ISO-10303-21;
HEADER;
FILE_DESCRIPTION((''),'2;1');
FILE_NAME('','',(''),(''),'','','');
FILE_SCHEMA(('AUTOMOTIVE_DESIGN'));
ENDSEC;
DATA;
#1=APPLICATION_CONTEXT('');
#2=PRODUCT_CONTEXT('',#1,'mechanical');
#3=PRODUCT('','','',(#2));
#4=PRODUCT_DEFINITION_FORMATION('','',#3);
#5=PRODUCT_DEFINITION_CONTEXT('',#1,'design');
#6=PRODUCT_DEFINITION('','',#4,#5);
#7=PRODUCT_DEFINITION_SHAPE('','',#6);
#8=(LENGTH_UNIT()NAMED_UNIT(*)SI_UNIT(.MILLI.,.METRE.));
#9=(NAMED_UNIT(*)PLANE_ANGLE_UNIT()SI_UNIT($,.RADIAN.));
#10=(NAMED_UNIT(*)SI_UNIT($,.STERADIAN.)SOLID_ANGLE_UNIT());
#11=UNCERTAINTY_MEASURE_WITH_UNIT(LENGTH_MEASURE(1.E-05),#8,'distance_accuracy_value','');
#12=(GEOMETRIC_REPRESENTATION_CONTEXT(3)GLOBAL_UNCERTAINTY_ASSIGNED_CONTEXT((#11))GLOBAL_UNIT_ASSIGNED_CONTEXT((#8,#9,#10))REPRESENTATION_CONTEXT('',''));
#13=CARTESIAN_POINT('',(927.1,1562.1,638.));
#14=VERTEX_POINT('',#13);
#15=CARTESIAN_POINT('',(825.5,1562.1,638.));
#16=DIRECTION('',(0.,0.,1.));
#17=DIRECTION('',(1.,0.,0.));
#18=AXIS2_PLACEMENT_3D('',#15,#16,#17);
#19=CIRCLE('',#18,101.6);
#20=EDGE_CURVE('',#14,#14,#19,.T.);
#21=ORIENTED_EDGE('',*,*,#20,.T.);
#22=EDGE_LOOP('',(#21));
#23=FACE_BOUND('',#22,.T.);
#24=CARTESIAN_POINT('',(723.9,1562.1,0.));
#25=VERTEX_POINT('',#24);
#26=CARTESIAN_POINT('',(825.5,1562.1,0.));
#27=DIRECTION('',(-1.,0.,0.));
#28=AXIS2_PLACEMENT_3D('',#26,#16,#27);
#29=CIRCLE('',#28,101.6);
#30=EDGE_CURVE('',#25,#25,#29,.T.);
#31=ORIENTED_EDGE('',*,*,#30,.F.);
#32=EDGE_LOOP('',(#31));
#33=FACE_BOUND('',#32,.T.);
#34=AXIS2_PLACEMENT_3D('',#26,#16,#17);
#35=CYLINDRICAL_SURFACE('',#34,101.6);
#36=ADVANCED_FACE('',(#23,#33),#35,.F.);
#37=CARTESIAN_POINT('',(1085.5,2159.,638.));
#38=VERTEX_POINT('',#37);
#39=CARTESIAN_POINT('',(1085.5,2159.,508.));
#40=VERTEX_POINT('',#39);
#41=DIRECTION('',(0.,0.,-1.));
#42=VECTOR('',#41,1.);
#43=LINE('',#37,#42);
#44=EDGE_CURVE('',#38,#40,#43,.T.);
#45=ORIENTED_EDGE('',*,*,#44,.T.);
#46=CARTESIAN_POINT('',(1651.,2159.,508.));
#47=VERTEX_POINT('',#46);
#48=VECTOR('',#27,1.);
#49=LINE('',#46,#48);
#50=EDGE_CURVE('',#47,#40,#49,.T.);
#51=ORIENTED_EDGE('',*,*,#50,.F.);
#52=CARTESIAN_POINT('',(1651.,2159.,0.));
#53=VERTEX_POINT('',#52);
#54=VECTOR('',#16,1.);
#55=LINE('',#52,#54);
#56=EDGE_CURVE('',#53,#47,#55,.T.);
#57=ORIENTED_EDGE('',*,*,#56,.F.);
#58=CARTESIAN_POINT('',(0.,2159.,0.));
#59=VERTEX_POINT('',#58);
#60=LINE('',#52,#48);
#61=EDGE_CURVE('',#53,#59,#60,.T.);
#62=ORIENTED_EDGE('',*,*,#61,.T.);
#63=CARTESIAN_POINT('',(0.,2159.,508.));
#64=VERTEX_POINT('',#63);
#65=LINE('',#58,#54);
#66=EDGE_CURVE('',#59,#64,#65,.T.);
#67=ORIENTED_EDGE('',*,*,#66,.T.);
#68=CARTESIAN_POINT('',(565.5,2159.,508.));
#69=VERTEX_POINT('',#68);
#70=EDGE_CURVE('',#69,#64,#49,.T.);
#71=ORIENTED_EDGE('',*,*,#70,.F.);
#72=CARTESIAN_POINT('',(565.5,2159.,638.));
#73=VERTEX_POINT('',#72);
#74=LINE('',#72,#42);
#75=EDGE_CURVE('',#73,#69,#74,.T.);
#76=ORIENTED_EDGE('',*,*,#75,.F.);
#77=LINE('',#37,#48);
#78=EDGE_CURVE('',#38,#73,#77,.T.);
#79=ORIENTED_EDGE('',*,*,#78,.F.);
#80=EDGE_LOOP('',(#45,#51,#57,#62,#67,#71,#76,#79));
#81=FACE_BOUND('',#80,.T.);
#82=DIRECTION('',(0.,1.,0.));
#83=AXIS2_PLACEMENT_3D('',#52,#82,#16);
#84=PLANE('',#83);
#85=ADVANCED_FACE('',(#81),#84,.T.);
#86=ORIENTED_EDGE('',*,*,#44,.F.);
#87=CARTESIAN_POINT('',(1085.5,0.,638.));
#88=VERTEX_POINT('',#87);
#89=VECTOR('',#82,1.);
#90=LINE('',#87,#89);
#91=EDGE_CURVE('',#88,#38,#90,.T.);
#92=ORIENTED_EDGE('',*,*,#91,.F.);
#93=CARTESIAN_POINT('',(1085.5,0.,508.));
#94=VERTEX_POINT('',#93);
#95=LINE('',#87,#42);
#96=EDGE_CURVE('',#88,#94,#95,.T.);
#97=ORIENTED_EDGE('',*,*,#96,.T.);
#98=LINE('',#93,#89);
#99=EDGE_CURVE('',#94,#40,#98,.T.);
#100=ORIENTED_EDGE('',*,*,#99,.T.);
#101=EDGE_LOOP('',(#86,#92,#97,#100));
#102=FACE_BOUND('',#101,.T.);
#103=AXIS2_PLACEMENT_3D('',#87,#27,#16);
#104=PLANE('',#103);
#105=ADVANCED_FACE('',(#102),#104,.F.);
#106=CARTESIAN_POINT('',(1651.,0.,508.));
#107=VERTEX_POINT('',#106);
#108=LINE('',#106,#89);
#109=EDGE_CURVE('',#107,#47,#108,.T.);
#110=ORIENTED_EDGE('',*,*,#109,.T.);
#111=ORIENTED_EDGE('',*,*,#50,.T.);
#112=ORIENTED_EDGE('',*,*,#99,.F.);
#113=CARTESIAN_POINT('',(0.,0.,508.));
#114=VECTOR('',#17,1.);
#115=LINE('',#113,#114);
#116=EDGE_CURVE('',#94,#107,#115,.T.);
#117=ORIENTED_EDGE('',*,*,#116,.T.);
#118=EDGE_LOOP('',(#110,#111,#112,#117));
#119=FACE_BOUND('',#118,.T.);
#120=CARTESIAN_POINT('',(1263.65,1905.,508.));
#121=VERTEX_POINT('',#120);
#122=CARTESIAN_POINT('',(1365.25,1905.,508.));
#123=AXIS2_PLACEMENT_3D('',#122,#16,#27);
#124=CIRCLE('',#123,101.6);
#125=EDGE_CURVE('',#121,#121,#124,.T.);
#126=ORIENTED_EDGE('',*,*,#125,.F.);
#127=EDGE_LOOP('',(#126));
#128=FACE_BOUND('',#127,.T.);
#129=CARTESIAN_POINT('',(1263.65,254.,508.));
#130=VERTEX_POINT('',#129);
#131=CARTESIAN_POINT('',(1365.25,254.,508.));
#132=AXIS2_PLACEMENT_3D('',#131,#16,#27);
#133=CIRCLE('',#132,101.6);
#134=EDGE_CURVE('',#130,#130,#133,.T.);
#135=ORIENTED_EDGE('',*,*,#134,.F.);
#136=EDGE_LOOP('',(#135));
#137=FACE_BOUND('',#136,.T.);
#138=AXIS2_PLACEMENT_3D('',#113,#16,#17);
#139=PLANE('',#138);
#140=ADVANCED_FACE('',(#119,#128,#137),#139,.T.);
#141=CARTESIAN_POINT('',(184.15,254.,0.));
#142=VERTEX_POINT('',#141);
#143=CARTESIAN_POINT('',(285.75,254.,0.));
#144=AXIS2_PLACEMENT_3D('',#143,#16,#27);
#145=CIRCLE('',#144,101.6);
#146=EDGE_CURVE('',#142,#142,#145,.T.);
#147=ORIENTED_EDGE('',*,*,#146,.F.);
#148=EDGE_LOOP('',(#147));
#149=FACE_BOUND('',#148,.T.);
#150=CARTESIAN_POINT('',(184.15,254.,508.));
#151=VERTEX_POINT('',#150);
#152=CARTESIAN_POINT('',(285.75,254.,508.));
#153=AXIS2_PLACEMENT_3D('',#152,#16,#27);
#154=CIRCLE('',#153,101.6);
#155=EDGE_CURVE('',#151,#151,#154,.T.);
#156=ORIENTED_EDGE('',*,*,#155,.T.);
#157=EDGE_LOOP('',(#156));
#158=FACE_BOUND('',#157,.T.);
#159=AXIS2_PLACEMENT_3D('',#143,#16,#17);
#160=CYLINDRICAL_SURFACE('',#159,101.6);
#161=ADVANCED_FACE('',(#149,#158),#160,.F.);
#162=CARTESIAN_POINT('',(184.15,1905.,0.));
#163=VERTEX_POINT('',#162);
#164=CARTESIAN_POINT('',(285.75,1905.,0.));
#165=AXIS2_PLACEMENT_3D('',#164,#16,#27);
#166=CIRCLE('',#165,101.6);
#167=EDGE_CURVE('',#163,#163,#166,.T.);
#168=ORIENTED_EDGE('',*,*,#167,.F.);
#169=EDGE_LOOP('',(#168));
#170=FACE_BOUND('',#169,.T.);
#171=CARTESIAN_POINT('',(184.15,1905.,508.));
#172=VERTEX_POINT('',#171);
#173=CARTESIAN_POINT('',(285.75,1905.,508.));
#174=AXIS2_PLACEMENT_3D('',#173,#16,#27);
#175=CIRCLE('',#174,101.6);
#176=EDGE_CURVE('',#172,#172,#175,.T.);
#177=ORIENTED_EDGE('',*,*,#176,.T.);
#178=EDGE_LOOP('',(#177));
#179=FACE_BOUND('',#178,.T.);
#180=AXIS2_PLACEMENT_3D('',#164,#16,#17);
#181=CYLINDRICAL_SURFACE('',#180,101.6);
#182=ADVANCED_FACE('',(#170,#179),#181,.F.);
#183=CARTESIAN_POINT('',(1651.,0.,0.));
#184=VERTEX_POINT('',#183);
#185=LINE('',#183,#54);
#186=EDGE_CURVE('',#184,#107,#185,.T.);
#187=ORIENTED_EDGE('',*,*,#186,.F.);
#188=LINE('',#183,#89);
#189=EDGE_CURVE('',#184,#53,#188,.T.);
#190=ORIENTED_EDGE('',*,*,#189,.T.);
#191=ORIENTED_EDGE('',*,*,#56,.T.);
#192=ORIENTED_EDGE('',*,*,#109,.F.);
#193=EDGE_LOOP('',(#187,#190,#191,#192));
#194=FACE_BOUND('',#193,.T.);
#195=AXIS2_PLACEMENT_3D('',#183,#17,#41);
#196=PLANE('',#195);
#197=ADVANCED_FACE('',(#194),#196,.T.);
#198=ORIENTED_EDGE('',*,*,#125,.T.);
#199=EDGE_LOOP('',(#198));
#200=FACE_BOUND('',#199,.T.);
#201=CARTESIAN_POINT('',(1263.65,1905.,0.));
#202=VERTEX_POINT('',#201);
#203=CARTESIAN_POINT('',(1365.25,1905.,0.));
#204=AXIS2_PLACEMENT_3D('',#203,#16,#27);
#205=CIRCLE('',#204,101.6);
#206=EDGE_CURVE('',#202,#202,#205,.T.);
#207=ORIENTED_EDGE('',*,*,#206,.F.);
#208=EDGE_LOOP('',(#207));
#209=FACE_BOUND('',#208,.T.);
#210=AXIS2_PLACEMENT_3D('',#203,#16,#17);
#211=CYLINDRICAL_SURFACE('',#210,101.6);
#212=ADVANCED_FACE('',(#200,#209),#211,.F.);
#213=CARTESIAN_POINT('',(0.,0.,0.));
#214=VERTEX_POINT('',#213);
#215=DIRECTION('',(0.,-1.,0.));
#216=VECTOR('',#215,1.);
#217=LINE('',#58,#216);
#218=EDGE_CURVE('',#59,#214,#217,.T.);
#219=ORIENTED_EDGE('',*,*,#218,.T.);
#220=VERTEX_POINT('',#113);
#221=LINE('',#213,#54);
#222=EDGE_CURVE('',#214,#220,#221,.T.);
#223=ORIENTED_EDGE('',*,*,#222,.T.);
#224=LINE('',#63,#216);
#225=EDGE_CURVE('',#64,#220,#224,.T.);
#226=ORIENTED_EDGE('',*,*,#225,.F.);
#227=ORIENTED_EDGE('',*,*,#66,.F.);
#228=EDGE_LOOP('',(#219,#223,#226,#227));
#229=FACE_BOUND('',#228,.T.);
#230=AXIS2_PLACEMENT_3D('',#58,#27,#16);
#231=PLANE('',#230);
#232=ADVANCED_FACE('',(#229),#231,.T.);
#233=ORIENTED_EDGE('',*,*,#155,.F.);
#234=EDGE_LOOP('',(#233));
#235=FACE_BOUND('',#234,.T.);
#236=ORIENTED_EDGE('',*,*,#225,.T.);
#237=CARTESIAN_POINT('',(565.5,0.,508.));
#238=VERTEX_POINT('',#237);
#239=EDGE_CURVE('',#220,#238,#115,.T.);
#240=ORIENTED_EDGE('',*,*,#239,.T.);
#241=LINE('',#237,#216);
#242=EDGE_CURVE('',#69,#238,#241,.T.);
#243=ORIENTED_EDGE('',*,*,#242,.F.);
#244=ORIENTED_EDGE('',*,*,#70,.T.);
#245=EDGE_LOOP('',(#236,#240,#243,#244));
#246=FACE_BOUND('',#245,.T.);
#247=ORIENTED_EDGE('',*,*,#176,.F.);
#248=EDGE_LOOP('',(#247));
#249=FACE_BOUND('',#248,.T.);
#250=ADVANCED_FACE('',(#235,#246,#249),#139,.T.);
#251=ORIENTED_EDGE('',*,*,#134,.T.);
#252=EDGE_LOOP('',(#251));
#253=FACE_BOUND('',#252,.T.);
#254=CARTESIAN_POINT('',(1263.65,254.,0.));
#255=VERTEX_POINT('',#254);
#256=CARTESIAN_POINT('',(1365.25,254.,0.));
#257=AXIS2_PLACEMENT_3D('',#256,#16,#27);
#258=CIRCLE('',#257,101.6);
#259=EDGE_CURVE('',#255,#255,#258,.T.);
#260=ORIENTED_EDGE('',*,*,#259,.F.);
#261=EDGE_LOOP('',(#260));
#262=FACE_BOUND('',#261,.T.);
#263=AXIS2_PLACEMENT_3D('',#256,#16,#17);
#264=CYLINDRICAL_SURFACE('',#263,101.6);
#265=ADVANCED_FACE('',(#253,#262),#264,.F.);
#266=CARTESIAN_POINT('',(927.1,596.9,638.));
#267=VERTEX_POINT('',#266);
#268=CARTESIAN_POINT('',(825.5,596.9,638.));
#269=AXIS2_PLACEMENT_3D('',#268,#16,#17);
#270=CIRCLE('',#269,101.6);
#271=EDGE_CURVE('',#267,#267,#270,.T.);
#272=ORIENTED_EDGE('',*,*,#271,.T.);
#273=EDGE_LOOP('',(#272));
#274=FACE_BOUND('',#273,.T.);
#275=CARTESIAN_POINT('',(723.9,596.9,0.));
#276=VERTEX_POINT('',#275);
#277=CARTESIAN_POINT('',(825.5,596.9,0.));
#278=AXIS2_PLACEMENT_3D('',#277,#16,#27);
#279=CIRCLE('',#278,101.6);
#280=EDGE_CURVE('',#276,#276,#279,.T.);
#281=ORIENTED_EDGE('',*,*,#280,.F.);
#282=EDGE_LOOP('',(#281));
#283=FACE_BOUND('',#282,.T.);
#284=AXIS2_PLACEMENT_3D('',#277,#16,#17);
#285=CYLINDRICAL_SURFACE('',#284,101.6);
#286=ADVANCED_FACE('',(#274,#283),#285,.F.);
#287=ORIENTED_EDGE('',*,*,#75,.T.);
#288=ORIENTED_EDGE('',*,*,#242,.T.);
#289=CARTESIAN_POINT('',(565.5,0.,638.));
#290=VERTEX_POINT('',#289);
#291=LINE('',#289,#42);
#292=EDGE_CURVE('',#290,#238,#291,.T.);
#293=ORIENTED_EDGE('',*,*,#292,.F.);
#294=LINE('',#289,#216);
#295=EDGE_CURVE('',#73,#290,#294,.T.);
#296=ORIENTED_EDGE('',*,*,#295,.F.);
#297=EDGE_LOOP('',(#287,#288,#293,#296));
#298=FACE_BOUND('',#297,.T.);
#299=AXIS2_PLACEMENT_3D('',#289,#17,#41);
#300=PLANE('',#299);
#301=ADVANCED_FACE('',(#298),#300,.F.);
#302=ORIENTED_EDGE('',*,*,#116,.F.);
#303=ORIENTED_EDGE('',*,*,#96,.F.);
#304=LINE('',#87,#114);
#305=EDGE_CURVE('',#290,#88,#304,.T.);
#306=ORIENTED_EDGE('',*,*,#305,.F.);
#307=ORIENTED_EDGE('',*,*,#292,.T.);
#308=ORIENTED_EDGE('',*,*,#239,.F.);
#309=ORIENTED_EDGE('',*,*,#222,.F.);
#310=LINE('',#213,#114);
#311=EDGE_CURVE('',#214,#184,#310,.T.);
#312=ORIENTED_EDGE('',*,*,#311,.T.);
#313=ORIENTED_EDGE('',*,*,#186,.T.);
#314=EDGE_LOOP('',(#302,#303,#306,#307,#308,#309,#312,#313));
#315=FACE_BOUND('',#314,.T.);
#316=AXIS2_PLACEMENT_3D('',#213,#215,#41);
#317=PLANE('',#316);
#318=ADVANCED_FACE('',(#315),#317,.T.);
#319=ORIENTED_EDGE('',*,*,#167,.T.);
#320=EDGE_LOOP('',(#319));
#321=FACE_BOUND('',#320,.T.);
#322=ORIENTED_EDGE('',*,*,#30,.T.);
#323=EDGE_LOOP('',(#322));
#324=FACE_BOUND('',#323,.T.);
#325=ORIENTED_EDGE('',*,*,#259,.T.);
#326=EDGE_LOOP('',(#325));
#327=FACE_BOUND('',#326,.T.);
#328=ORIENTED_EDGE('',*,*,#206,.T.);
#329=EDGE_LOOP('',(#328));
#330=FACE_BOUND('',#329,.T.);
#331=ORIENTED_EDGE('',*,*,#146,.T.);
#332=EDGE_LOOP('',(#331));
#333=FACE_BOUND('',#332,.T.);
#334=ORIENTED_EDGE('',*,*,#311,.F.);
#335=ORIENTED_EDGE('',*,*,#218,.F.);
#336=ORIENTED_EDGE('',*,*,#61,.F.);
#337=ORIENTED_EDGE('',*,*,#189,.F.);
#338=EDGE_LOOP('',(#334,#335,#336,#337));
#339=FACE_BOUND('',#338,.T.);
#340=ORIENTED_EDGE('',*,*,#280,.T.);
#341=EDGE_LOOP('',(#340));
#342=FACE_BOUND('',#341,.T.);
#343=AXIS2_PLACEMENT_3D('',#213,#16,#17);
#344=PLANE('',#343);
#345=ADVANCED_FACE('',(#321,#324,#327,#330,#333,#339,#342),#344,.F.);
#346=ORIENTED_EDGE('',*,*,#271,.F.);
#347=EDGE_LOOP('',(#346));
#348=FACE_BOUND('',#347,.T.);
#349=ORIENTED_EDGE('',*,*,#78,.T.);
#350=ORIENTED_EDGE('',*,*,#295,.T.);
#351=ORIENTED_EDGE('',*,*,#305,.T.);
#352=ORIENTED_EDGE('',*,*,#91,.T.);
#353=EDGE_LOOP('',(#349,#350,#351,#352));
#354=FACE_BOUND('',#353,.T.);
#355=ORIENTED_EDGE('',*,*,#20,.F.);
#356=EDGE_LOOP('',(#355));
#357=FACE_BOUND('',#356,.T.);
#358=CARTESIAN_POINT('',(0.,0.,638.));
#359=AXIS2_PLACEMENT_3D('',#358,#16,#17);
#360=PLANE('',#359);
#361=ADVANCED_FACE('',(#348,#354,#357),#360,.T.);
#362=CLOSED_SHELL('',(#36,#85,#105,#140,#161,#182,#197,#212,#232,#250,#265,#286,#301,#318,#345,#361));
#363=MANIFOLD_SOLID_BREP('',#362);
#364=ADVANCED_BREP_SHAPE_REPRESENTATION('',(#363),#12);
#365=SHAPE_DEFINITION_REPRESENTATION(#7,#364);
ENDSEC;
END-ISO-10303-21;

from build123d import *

# Parameters (mm, degrees)
SKETCH1_W           = 1651
SKETCH1_H           = 2159
SKETCH1_R           = 101.6
BOSS_EXTRUDE1_DEPTH = 508
BOSS_EXTRUDE2_START = 130
SKETCH2_W           = 520
SKETCH2_H           = 2159
SKETCH2_R           = 101.6
BOSS_EXTRUDE2_DEPTH = 130


with BuildPart() as part:
    # Sketch1 → Boss-Extrude1 (new body)
    with BuildSketch(Plane.XY.offset(508)):
        with Locations((825.5, 1079.5)):
            Rectangle(SKETCH1_W, SKETCH1_H)
        with Locations(Location((285.75, 254, 0), (0, 0, 180))):
            Circle(SKETCH1_R, mode=Mode.SUBTRACT)
        with Locations(Location((1365.25, 1905, 0), (0, 0, 180))):
            Circle(SKETCH1_R, mode=Mode.SUBTRACT)
        with Locations(Location((825.5, 1562.1, 0), (0, 0, 180))):
            Circle(SKETCH1_R, mode=Mode.SUBTRACT)
        with Locations(Location((285.75, 1905, 0), (0, 0, 180))):
            Circle(SKETCH1_R, mode=Mode.SUBTRACT)
        with Locations(Location((1365.25, 254, 0), (0, 0, 180))):
            Circle(SKETCH1_R, mode=Mode.SUBTRACT)
        with Locations(Location((825.5, 596.9, 0), (0, 0, 180))):
            Circle(SKETCH1_R, mode=Mode.SUBTRACT)
    extrude(amount=-BOSS_EXTRUDE1_DEPTH)

    # Sketch2 → Boss-Extrude2 (add)
    with BuildSketch(Plane.XY.offset(508).offset(BOSS_EXTRUDE2_START)):
        with Locations((825.5, 1079.5)):
            Rectangle(SKETCH2_W, SKETCH2_H)
        with Locations((825.5, 596.9)):
            Circle(SKETCH2_R, mode=Mode.SUBTRACT)
        with Locations((825.5, 1562.1)):
            Circle(SKETCH2_R, mode=Mode.SUBTRACT)
    extrude(amount=-BOSS_EXTRUDE2_DEPTH)


solid = part.part
